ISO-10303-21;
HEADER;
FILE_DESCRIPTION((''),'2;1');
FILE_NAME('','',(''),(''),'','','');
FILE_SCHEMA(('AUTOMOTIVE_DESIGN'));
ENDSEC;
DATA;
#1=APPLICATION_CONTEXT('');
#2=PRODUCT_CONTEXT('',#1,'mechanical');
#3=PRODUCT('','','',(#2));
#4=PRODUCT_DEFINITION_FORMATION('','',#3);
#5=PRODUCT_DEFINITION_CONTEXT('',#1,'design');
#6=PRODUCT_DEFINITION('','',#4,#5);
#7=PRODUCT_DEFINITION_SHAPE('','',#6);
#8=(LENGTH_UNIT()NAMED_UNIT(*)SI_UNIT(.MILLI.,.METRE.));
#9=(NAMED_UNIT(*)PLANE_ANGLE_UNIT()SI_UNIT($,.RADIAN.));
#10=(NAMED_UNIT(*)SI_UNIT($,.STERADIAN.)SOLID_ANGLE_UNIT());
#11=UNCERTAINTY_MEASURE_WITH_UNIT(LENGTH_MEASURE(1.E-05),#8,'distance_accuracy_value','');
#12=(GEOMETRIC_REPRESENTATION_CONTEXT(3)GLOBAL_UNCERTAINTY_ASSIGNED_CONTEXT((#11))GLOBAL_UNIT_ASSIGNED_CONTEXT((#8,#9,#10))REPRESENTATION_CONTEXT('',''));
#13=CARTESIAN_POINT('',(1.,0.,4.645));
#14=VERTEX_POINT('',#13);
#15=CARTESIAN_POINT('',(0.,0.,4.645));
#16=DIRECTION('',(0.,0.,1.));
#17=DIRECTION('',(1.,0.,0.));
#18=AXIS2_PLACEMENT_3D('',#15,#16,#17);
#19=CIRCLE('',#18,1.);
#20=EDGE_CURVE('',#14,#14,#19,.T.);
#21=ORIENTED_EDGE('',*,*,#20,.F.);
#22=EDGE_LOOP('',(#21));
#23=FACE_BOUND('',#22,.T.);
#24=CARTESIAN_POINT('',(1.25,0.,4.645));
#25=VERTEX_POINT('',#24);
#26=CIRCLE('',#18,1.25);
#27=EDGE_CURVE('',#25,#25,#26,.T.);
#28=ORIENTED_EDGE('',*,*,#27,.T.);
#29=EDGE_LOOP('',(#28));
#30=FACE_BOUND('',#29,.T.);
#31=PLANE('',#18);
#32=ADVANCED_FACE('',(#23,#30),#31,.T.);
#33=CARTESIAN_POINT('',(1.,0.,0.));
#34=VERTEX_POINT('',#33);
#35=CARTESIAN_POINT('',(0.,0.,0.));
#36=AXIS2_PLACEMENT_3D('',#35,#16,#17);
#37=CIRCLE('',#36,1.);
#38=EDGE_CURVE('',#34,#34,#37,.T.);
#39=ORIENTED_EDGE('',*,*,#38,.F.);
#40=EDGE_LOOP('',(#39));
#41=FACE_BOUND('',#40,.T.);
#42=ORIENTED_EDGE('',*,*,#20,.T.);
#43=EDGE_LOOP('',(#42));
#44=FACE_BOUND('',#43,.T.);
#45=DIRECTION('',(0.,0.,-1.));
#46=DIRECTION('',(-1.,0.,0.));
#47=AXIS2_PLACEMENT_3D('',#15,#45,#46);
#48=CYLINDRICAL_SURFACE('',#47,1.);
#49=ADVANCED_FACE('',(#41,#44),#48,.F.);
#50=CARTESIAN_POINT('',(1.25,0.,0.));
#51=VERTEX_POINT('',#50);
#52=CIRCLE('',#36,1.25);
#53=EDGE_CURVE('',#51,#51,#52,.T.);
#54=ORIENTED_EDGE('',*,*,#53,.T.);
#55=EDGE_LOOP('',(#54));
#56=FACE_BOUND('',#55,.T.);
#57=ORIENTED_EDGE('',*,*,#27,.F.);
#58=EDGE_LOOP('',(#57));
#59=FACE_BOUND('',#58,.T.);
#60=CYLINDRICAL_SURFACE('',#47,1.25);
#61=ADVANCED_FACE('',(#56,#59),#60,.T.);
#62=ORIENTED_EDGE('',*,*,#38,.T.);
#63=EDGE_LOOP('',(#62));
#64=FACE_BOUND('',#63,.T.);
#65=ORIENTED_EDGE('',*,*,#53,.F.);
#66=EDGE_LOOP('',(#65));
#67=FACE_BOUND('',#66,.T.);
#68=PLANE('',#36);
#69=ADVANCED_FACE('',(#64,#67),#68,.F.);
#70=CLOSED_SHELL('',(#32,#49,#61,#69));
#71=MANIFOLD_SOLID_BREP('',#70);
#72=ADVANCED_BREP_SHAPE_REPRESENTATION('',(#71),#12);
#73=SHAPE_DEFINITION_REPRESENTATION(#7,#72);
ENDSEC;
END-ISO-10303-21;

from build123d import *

# Parameters (mm, degrees)
SKETCH1_R           = 1.25
SKETCH1_R_2         = 1
BOSS_EXTRUDE1_DEPTH = 4.645


with BuildPart() as part:
    # Sketch1 → Boss-Extrude1 (new body)
    with BuildSketch(Plane.XY):
        Circle(SKETCH1_R)
        Circle(SKETCH1_R_2, mode=Mode.SUBTRACT)
    extrude(amount=BOSS_EXTRUDE1_DEPTH)


solid = part.part
